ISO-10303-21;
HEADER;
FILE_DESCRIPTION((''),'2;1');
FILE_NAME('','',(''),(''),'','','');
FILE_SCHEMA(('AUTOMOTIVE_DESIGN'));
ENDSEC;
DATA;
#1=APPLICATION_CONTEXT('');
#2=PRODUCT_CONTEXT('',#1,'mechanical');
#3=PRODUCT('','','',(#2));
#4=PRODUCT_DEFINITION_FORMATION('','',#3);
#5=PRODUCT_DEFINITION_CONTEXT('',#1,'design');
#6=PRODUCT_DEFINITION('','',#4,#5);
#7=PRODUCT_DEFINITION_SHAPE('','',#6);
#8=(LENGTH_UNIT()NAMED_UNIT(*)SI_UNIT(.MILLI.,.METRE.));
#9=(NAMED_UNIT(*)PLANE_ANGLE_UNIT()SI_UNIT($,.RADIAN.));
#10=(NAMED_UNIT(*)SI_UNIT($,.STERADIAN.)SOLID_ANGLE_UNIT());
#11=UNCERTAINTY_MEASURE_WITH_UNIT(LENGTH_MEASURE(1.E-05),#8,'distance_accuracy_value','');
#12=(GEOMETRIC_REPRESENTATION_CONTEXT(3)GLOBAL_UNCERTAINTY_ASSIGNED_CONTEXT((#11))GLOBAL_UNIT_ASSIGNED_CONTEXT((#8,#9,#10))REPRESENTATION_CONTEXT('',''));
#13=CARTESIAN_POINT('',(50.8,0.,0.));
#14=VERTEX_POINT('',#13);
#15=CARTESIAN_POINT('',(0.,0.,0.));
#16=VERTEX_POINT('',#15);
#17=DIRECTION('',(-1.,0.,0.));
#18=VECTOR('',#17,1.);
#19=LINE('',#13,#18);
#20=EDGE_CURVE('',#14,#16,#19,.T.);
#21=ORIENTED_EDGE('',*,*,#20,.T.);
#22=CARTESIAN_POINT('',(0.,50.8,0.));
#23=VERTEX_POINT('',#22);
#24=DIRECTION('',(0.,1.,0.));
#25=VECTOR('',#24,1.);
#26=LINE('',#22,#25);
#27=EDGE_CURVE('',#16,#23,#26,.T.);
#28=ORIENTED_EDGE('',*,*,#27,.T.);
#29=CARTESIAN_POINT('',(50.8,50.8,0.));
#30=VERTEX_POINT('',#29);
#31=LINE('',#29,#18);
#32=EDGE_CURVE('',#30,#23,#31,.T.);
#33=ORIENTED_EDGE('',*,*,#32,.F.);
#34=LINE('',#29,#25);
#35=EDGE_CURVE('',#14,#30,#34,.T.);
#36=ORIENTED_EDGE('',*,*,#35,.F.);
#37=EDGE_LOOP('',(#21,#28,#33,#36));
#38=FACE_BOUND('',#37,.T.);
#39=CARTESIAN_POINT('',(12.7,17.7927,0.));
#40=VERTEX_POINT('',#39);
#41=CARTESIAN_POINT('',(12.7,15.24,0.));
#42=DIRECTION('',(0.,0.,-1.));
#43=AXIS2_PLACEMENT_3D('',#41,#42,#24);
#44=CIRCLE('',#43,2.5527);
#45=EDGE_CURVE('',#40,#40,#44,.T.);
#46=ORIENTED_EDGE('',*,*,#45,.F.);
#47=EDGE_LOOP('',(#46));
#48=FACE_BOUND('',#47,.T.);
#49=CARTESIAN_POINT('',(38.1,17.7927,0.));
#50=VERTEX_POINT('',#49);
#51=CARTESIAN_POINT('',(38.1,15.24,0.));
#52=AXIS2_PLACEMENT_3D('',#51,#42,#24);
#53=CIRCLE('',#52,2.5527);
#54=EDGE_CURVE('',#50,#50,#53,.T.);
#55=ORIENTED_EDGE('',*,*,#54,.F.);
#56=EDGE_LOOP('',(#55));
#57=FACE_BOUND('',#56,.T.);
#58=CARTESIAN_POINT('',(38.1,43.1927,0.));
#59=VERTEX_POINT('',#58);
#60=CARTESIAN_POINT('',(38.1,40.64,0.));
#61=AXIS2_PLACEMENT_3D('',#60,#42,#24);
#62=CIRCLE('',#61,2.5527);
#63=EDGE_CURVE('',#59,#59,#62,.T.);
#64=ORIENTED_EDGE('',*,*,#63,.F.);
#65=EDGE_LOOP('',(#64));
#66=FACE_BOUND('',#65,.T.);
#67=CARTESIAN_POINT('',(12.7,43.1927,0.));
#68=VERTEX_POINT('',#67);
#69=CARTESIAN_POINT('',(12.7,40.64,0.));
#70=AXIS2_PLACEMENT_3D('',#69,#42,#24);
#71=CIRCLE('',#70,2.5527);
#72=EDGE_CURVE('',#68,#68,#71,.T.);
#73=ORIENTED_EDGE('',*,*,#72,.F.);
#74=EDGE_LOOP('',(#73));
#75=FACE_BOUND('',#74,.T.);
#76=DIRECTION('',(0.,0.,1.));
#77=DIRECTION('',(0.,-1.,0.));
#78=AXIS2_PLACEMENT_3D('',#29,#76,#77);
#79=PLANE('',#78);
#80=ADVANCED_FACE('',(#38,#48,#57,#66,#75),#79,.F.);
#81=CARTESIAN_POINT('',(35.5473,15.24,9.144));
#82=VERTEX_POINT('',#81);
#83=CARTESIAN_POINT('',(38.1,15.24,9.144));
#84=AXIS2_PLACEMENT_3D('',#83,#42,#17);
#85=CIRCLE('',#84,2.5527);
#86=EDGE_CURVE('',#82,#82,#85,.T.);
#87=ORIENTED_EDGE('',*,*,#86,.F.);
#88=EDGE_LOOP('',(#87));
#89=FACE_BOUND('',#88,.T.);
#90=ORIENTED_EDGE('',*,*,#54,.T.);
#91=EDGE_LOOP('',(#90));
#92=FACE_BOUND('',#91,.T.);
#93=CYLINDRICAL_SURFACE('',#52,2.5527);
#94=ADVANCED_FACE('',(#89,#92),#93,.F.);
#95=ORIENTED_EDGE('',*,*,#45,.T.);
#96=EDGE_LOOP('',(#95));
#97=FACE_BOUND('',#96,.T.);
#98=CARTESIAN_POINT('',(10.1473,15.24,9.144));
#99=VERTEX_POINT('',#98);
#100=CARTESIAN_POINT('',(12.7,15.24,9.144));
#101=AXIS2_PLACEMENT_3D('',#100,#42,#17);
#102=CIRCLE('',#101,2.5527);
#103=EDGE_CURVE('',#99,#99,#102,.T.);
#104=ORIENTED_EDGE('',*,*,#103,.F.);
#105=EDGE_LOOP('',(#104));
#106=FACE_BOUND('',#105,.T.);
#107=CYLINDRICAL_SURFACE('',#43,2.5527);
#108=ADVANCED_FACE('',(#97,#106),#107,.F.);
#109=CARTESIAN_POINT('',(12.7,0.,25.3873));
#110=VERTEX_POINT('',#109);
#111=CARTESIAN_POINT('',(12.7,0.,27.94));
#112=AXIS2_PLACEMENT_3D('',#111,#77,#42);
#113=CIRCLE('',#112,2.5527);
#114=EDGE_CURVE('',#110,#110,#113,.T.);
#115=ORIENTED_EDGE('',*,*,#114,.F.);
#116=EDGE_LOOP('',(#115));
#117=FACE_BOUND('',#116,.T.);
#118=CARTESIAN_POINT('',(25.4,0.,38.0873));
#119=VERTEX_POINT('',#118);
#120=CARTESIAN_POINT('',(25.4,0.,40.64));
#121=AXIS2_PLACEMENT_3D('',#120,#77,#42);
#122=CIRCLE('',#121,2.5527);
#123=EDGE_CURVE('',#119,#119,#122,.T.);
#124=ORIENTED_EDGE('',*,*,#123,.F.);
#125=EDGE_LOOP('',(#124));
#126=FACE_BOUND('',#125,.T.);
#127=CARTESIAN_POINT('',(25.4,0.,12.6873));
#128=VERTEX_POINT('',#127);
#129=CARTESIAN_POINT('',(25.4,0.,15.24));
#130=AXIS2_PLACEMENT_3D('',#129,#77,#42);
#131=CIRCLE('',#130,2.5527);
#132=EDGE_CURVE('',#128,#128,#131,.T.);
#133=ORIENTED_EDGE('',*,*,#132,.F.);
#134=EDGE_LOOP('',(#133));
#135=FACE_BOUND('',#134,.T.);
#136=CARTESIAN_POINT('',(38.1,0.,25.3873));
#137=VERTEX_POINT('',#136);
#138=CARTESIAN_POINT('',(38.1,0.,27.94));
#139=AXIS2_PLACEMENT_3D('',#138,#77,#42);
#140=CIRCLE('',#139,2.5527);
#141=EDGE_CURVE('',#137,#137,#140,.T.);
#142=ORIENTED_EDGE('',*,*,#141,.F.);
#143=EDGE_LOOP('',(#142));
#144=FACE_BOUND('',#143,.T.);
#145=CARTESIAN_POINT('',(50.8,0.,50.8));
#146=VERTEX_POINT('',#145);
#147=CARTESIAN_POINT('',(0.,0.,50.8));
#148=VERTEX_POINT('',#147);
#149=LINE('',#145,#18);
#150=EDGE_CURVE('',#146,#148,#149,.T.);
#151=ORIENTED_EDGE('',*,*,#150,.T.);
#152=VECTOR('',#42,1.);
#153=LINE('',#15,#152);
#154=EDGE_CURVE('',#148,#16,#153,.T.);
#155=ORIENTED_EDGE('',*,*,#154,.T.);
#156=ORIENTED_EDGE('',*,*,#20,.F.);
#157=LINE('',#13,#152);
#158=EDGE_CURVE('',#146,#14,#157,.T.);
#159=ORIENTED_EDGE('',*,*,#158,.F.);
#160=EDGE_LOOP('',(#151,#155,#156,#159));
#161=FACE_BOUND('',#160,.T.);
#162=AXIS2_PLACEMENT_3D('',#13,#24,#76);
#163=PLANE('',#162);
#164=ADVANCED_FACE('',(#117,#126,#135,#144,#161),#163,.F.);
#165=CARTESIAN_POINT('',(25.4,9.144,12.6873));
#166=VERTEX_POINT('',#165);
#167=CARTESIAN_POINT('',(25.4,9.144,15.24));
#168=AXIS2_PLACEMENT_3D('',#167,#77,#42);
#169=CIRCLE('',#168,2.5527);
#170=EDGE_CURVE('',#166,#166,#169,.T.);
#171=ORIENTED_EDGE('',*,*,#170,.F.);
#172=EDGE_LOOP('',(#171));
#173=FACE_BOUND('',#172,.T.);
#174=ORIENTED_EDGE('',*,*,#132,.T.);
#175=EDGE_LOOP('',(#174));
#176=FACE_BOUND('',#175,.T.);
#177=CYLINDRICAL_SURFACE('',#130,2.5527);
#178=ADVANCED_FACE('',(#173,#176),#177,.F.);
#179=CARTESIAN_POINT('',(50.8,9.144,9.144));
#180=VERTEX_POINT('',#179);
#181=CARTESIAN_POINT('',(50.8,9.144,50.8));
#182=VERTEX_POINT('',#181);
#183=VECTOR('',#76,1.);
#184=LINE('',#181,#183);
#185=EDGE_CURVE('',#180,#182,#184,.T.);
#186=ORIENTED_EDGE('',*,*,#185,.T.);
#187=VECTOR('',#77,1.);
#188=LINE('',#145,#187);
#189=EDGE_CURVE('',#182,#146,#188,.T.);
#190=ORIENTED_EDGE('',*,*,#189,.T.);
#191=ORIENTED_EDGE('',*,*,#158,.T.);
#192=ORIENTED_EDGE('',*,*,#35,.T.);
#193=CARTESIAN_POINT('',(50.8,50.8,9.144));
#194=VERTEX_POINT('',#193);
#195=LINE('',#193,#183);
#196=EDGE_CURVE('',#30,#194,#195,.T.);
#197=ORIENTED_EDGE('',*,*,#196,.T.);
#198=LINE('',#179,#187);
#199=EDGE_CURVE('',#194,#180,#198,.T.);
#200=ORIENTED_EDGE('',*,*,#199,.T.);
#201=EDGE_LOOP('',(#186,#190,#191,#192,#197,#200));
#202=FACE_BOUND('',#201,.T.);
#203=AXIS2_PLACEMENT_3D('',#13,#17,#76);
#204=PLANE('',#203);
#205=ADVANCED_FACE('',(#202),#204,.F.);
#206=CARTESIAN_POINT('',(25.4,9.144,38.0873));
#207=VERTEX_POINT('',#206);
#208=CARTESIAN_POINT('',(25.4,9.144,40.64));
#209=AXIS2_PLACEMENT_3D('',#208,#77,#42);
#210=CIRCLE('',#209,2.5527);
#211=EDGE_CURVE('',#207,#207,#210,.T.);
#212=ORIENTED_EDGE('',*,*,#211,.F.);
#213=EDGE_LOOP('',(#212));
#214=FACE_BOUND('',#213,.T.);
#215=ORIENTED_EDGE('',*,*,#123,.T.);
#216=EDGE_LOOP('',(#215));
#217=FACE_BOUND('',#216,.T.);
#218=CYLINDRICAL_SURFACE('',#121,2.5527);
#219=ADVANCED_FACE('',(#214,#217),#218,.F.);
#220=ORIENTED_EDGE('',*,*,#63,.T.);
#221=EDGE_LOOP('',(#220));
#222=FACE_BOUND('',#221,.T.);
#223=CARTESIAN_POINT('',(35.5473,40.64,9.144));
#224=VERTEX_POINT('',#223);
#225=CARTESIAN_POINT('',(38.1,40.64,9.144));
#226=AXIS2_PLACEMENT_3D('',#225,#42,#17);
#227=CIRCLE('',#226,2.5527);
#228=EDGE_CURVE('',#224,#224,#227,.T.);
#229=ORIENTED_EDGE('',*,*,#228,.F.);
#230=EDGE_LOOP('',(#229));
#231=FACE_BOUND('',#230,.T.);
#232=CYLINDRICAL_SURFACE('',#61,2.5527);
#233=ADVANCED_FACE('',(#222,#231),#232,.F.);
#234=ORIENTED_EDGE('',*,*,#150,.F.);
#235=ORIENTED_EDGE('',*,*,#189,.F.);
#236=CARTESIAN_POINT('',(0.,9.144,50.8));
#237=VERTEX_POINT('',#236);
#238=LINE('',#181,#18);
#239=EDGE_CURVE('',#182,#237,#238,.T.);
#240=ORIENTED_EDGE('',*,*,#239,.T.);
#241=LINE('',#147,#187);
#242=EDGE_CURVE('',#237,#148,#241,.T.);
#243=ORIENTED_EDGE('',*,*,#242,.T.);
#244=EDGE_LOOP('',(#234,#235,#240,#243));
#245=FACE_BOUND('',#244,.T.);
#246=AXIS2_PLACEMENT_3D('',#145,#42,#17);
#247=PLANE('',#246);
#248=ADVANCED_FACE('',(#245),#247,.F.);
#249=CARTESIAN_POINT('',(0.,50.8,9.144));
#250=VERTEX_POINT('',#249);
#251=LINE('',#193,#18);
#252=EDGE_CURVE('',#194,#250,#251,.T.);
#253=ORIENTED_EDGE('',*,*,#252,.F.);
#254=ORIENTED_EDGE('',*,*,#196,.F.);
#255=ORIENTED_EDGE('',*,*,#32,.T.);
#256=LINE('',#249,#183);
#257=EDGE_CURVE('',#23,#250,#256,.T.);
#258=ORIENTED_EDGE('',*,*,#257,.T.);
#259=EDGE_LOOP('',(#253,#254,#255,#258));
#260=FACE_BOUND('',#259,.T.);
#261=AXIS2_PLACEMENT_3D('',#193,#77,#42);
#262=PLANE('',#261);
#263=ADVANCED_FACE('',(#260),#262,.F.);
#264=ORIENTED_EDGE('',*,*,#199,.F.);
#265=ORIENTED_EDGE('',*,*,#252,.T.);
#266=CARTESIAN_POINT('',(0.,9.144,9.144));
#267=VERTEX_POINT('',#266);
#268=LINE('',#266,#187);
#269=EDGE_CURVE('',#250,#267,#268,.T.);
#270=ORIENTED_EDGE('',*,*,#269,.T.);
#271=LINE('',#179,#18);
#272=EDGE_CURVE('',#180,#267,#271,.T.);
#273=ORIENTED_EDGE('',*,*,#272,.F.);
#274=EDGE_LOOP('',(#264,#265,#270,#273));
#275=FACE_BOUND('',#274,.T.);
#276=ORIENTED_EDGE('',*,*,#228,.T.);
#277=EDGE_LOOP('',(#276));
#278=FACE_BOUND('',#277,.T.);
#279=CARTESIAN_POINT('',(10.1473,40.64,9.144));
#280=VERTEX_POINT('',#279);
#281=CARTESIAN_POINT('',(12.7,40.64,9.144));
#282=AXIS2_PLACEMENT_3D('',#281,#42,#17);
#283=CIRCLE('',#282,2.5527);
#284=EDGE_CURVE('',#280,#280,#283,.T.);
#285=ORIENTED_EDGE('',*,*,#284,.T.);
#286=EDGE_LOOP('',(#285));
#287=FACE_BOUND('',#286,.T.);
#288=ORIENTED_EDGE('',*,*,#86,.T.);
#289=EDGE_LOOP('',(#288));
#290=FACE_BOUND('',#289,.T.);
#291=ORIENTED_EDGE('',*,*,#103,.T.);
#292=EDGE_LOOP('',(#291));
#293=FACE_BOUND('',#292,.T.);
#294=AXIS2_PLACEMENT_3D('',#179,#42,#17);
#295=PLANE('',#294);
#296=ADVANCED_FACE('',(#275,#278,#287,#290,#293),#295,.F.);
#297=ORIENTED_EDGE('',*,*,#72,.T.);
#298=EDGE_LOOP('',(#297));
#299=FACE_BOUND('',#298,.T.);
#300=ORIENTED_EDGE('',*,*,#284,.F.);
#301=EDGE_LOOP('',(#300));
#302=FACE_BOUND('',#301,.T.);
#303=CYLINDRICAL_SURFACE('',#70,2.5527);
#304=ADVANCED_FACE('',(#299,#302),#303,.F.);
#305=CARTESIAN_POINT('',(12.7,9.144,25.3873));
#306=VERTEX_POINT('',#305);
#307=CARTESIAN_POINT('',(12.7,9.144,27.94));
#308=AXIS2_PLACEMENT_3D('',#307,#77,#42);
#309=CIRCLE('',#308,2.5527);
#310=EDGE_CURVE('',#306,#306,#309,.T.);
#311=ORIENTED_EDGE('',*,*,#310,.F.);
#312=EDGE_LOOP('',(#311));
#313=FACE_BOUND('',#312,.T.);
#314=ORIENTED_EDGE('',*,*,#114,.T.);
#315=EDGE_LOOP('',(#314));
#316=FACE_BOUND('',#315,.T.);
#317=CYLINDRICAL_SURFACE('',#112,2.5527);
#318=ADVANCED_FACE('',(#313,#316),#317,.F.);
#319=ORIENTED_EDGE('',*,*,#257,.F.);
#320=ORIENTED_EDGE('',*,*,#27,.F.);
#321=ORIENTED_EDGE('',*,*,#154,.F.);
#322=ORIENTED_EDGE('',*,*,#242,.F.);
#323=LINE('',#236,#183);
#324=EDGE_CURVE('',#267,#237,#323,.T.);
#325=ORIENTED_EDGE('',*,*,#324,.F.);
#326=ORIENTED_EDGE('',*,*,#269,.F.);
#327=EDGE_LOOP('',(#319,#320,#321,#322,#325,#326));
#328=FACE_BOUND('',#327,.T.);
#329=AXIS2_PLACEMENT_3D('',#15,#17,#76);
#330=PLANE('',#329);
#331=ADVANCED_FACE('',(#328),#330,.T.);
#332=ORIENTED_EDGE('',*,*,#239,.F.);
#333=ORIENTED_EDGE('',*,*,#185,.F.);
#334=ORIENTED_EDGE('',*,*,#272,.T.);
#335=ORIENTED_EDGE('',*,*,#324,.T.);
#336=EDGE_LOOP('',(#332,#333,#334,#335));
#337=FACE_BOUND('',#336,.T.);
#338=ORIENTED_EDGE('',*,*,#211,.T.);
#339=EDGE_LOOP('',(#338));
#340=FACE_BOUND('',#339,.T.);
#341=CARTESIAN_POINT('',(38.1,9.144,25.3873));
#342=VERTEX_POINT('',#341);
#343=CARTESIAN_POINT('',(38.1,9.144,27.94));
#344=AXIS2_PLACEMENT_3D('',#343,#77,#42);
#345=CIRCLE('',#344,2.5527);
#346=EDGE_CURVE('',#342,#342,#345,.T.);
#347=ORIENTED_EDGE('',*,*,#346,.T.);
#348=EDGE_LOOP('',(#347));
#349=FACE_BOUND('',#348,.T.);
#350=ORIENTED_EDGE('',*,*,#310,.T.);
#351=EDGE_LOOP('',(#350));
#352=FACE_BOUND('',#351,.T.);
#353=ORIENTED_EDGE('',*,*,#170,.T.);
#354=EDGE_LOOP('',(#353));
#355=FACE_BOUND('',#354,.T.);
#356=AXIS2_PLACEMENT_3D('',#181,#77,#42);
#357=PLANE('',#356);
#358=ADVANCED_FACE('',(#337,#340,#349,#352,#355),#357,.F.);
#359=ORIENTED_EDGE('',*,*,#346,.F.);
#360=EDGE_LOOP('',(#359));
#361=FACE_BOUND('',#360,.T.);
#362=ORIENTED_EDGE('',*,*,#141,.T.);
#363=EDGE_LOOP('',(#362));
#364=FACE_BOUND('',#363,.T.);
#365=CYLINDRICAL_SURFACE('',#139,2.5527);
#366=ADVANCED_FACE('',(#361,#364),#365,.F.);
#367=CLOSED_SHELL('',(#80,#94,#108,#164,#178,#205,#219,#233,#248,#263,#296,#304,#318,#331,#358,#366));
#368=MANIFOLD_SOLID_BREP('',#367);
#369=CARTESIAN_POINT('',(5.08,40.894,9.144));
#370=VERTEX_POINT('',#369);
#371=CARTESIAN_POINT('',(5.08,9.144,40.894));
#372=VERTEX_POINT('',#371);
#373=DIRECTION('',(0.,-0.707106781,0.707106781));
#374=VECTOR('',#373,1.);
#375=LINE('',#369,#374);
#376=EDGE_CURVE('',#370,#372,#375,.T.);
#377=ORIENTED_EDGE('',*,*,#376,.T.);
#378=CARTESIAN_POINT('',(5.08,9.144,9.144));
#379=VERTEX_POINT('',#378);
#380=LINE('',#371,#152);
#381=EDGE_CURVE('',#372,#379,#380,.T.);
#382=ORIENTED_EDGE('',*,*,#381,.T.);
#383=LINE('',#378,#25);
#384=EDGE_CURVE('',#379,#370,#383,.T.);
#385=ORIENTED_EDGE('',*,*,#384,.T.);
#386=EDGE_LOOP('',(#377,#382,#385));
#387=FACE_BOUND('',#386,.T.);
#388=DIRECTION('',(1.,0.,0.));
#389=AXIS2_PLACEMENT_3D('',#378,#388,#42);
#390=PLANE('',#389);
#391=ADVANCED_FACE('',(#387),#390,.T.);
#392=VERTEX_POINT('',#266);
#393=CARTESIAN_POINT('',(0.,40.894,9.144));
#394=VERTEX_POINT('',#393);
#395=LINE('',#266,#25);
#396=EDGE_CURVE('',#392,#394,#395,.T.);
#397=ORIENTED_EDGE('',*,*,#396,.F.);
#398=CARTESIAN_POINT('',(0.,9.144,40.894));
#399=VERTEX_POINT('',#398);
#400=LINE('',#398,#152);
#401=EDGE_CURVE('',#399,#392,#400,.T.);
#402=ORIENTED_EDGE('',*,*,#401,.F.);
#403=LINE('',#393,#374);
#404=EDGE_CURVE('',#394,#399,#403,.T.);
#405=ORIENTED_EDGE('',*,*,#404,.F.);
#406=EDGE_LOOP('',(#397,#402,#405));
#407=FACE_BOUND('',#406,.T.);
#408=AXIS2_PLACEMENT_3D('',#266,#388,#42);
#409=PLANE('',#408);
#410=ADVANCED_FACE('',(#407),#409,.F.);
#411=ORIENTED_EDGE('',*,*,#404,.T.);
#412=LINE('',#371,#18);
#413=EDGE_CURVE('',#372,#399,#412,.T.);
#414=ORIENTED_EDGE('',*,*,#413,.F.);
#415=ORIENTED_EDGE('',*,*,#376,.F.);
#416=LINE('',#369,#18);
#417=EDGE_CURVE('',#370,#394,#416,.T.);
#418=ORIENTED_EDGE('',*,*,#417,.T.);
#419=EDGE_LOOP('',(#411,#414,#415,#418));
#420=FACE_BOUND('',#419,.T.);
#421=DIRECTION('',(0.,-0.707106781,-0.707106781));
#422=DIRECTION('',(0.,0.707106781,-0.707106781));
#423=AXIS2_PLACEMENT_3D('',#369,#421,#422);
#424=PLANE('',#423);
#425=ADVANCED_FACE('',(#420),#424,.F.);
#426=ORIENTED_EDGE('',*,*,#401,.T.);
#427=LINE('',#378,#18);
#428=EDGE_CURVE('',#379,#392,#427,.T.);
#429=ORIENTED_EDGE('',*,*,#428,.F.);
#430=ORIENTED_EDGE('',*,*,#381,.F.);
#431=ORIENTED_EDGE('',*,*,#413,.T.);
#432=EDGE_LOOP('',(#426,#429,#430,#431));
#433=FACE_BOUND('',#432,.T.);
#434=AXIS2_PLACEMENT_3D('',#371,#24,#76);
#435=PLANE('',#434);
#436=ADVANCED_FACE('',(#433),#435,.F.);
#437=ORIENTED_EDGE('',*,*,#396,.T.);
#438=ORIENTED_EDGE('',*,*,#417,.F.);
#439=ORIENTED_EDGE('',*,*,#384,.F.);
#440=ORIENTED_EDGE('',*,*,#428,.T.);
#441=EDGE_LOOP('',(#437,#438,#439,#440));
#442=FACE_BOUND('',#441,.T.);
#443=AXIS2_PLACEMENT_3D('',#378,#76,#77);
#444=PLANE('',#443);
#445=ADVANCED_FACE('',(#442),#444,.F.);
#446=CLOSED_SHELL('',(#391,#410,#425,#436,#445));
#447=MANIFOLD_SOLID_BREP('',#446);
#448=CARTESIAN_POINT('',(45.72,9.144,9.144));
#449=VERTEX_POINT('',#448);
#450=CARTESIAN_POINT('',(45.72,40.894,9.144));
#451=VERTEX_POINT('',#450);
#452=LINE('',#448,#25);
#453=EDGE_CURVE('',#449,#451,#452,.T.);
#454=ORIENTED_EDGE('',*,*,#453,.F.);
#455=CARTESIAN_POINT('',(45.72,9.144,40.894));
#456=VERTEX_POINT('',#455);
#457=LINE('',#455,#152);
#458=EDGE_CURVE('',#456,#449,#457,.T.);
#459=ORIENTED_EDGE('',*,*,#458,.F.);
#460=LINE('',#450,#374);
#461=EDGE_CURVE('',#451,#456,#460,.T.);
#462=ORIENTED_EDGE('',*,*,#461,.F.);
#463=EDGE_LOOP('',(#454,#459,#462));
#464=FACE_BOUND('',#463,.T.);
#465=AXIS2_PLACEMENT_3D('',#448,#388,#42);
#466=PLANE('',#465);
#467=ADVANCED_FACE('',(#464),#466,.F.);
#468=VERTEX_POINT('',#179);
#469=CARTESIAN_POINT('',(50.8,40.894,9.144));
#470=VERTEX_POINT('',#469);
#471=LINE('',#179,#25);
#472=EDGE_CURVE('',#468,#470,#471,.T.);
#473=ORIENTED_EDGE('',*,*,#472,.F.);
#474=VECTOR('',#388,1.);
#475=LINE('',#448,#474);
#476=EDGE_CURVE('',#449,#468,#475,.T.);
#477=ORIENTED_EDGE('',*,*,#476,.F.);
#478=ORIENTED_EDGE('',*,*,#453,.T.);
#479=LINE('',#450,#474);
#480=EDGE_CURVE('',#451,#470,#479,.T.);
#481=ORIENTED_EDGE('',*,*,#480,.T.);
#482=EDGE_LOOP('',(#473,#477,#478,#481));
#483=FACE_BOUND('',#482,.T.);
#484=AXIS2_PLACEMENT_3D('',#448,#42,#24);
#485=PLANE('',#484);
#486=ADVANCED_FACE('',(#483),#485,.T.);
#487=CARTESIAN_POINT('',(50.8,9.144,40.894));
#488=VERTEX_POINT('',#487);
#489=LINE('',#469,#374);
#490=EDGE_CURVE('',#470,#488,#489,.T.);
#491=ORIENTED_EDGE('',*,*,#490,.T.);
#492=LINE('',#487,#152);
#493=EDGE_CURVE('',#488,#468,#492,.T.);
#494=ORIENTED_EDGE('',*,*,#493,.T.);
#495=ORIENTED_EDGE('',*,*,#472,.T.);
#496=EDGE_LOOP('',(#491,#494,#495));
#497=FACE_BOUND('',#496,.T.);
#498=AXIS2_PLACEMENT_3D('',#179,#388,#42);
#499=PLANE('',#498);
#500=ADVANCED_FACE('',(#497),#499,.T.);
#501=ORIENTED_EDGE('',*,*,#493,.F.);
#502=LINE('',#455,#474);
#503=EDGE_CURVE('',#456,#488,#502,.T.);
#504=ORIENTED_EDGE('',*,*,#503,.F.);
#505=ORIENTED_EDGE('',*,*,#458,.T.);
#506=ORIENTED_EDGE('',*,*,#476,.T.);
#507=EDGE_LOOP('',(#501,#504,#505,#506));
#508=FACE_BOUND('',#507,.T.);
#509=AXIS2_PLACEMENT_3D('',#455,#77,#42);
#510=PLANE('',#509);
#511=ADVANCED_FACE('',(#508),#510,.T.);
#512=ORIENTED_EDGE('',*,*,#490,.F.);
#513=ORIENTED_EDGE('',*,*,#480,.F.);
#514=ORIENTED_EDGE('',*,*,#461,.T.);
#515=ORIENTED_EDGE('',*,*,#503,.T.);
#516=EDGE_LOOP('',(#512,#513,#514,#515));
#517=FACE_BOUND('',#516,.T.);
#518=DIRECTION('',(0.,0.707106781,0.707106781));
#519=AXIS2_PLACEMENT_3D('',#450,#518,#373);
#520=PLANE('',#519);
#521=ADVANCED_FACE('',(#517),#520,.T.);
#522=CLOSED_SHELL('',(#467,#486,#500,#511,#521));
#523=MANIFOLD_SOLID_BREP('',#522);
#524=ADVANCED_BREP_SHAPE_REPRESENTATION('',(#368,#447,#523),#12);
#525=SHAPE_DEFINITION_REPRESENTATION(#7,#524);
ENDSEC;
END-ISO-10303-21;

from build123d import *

# Parameters (mm, degrees)
BOSS_EXTRUDE1_DEPTH         = 50.8
F_1_4_20_TAPPED_HOLE2_D     = 5.1054
F_1_4_20_TAPPED_HOLE2_DEPTH = 16.51
F_1_4_20_TAPPED_HOLE2_TIP   = 1.533816902
F_1_4_20_TAPPED_HOLE3_D     = 5.1054
F_1_4_20_TAPPED_HOLE3_DEPTH = 16.51
F_1_4_20_TAPPED_HOLE3_TIP   = 1.533816902
BOSS_EXTRUDE2_DEPTH         = 5.08
BOSS_EXTRUDE3_START         = 50.8
BOSS_EXTRUDE3_DEPTH         = 5.08


with BuildPart() as part:
    # Sketch1 → Boss-Extrude1 (new body)
    with BuildSketch(Plane(origin=(0, 0, 0), x_dir=(0, 0, -1), z_dir=(1, 0, 0))):
        Polygon((0, 0), (-50.8, 0), (-50.8, 9.144), (-9.144, 9.144), (-9.144, 50.8), (0, 50.8), align=None)
    extrude(amount=BOSS_EXTRUDE1_DEPTH)

    # 1_4-20 Tapped Hole2
    with Locations(Plane(origin=(25.4, 0, 40.64), x_dir=(0, 0, -1), z_dir=(0, -1, 0))):
        with Locations((0, 0), (12.7, 12.7), (12.7, -12.7), (25.4, 0)):
            Hole(F_1_4_20_TAPPED_HOLE2_D / 2, depth=F_1_4_20_TAPPED_HOLE2_DEPTH)
            with Locations((0, 0, -(F_1_4_20_TAPPED_HOLE2_DEPTH + F_1_4_20_TAPPED_HOLE2_TIP / 2))):  # 118° drill point
                Cone(0, F_1_4_20_TAPPED_HOLE2_D / 2, F_1_4_20_TAPPED_HOLE2_TIP, mode=Mode.SUBTRACT)

    # 1_4-20 Tapped Hole3
    with Locations(Plane(origin=(12.7, 40.64, 0), x_dir=(-1, 0, 0), z_dir=(0, 0, -1))):
        with Locations((0, 0), (0, -25.4), (-25.4, -25.4), (-25.4, 0)):
            Hole(F_1_4_20_TAPPED_HOLE3_D / 2, depth=F_1_4_20_TAPPED_HOLE3_DEPTH)
            with Locations((0, 0, -(F_1_4_20_TAPPED_HOLE3_DEPTH + F_1_4_20_TAPPED_HOLE3_TIP / 2))):  # 118° drill point
                Cone(0, F_1_4_20_TAPPED_HOLE3_D / 2, F_1_4_20_TAPPED_HOLE3_TIP, mode=Mode.SUBTRACT)


with BuildPart() as body_2:
    # Sketch20 → Boss-Extrude2 (new body)
    with BuildSketch(Plane(origin=(0, 0, 0), x_dir=(0, 0, -1), z_dir=(1, 0, 0))):
        Polygon((-9.144, 9.144), (-9.144, 40.894), (-40.894, 9.144), align=None)
    extrude(amount=BOSS_EXTRUDE2_DEPTH)


with BuildPart() as body_3:
    # Sketch20_2 → Boss-Extrude3 (new body)
    with BuildSketch(Plane(origin=(0, 0, 0), x_dir=(0, 0, -1), z_dir=(1, 0, 0)).offset(BOSS_EXTRUDE3_START)):
        Polygon((-9.144, 9.144), (-9.144, 40.894), (-40.894, 9.144), align=None)
    extrude(amount=-BOSS_EXTRUDE3_DEPTH)


solid = Compound([part.part, body_2.part, body_3.part])
